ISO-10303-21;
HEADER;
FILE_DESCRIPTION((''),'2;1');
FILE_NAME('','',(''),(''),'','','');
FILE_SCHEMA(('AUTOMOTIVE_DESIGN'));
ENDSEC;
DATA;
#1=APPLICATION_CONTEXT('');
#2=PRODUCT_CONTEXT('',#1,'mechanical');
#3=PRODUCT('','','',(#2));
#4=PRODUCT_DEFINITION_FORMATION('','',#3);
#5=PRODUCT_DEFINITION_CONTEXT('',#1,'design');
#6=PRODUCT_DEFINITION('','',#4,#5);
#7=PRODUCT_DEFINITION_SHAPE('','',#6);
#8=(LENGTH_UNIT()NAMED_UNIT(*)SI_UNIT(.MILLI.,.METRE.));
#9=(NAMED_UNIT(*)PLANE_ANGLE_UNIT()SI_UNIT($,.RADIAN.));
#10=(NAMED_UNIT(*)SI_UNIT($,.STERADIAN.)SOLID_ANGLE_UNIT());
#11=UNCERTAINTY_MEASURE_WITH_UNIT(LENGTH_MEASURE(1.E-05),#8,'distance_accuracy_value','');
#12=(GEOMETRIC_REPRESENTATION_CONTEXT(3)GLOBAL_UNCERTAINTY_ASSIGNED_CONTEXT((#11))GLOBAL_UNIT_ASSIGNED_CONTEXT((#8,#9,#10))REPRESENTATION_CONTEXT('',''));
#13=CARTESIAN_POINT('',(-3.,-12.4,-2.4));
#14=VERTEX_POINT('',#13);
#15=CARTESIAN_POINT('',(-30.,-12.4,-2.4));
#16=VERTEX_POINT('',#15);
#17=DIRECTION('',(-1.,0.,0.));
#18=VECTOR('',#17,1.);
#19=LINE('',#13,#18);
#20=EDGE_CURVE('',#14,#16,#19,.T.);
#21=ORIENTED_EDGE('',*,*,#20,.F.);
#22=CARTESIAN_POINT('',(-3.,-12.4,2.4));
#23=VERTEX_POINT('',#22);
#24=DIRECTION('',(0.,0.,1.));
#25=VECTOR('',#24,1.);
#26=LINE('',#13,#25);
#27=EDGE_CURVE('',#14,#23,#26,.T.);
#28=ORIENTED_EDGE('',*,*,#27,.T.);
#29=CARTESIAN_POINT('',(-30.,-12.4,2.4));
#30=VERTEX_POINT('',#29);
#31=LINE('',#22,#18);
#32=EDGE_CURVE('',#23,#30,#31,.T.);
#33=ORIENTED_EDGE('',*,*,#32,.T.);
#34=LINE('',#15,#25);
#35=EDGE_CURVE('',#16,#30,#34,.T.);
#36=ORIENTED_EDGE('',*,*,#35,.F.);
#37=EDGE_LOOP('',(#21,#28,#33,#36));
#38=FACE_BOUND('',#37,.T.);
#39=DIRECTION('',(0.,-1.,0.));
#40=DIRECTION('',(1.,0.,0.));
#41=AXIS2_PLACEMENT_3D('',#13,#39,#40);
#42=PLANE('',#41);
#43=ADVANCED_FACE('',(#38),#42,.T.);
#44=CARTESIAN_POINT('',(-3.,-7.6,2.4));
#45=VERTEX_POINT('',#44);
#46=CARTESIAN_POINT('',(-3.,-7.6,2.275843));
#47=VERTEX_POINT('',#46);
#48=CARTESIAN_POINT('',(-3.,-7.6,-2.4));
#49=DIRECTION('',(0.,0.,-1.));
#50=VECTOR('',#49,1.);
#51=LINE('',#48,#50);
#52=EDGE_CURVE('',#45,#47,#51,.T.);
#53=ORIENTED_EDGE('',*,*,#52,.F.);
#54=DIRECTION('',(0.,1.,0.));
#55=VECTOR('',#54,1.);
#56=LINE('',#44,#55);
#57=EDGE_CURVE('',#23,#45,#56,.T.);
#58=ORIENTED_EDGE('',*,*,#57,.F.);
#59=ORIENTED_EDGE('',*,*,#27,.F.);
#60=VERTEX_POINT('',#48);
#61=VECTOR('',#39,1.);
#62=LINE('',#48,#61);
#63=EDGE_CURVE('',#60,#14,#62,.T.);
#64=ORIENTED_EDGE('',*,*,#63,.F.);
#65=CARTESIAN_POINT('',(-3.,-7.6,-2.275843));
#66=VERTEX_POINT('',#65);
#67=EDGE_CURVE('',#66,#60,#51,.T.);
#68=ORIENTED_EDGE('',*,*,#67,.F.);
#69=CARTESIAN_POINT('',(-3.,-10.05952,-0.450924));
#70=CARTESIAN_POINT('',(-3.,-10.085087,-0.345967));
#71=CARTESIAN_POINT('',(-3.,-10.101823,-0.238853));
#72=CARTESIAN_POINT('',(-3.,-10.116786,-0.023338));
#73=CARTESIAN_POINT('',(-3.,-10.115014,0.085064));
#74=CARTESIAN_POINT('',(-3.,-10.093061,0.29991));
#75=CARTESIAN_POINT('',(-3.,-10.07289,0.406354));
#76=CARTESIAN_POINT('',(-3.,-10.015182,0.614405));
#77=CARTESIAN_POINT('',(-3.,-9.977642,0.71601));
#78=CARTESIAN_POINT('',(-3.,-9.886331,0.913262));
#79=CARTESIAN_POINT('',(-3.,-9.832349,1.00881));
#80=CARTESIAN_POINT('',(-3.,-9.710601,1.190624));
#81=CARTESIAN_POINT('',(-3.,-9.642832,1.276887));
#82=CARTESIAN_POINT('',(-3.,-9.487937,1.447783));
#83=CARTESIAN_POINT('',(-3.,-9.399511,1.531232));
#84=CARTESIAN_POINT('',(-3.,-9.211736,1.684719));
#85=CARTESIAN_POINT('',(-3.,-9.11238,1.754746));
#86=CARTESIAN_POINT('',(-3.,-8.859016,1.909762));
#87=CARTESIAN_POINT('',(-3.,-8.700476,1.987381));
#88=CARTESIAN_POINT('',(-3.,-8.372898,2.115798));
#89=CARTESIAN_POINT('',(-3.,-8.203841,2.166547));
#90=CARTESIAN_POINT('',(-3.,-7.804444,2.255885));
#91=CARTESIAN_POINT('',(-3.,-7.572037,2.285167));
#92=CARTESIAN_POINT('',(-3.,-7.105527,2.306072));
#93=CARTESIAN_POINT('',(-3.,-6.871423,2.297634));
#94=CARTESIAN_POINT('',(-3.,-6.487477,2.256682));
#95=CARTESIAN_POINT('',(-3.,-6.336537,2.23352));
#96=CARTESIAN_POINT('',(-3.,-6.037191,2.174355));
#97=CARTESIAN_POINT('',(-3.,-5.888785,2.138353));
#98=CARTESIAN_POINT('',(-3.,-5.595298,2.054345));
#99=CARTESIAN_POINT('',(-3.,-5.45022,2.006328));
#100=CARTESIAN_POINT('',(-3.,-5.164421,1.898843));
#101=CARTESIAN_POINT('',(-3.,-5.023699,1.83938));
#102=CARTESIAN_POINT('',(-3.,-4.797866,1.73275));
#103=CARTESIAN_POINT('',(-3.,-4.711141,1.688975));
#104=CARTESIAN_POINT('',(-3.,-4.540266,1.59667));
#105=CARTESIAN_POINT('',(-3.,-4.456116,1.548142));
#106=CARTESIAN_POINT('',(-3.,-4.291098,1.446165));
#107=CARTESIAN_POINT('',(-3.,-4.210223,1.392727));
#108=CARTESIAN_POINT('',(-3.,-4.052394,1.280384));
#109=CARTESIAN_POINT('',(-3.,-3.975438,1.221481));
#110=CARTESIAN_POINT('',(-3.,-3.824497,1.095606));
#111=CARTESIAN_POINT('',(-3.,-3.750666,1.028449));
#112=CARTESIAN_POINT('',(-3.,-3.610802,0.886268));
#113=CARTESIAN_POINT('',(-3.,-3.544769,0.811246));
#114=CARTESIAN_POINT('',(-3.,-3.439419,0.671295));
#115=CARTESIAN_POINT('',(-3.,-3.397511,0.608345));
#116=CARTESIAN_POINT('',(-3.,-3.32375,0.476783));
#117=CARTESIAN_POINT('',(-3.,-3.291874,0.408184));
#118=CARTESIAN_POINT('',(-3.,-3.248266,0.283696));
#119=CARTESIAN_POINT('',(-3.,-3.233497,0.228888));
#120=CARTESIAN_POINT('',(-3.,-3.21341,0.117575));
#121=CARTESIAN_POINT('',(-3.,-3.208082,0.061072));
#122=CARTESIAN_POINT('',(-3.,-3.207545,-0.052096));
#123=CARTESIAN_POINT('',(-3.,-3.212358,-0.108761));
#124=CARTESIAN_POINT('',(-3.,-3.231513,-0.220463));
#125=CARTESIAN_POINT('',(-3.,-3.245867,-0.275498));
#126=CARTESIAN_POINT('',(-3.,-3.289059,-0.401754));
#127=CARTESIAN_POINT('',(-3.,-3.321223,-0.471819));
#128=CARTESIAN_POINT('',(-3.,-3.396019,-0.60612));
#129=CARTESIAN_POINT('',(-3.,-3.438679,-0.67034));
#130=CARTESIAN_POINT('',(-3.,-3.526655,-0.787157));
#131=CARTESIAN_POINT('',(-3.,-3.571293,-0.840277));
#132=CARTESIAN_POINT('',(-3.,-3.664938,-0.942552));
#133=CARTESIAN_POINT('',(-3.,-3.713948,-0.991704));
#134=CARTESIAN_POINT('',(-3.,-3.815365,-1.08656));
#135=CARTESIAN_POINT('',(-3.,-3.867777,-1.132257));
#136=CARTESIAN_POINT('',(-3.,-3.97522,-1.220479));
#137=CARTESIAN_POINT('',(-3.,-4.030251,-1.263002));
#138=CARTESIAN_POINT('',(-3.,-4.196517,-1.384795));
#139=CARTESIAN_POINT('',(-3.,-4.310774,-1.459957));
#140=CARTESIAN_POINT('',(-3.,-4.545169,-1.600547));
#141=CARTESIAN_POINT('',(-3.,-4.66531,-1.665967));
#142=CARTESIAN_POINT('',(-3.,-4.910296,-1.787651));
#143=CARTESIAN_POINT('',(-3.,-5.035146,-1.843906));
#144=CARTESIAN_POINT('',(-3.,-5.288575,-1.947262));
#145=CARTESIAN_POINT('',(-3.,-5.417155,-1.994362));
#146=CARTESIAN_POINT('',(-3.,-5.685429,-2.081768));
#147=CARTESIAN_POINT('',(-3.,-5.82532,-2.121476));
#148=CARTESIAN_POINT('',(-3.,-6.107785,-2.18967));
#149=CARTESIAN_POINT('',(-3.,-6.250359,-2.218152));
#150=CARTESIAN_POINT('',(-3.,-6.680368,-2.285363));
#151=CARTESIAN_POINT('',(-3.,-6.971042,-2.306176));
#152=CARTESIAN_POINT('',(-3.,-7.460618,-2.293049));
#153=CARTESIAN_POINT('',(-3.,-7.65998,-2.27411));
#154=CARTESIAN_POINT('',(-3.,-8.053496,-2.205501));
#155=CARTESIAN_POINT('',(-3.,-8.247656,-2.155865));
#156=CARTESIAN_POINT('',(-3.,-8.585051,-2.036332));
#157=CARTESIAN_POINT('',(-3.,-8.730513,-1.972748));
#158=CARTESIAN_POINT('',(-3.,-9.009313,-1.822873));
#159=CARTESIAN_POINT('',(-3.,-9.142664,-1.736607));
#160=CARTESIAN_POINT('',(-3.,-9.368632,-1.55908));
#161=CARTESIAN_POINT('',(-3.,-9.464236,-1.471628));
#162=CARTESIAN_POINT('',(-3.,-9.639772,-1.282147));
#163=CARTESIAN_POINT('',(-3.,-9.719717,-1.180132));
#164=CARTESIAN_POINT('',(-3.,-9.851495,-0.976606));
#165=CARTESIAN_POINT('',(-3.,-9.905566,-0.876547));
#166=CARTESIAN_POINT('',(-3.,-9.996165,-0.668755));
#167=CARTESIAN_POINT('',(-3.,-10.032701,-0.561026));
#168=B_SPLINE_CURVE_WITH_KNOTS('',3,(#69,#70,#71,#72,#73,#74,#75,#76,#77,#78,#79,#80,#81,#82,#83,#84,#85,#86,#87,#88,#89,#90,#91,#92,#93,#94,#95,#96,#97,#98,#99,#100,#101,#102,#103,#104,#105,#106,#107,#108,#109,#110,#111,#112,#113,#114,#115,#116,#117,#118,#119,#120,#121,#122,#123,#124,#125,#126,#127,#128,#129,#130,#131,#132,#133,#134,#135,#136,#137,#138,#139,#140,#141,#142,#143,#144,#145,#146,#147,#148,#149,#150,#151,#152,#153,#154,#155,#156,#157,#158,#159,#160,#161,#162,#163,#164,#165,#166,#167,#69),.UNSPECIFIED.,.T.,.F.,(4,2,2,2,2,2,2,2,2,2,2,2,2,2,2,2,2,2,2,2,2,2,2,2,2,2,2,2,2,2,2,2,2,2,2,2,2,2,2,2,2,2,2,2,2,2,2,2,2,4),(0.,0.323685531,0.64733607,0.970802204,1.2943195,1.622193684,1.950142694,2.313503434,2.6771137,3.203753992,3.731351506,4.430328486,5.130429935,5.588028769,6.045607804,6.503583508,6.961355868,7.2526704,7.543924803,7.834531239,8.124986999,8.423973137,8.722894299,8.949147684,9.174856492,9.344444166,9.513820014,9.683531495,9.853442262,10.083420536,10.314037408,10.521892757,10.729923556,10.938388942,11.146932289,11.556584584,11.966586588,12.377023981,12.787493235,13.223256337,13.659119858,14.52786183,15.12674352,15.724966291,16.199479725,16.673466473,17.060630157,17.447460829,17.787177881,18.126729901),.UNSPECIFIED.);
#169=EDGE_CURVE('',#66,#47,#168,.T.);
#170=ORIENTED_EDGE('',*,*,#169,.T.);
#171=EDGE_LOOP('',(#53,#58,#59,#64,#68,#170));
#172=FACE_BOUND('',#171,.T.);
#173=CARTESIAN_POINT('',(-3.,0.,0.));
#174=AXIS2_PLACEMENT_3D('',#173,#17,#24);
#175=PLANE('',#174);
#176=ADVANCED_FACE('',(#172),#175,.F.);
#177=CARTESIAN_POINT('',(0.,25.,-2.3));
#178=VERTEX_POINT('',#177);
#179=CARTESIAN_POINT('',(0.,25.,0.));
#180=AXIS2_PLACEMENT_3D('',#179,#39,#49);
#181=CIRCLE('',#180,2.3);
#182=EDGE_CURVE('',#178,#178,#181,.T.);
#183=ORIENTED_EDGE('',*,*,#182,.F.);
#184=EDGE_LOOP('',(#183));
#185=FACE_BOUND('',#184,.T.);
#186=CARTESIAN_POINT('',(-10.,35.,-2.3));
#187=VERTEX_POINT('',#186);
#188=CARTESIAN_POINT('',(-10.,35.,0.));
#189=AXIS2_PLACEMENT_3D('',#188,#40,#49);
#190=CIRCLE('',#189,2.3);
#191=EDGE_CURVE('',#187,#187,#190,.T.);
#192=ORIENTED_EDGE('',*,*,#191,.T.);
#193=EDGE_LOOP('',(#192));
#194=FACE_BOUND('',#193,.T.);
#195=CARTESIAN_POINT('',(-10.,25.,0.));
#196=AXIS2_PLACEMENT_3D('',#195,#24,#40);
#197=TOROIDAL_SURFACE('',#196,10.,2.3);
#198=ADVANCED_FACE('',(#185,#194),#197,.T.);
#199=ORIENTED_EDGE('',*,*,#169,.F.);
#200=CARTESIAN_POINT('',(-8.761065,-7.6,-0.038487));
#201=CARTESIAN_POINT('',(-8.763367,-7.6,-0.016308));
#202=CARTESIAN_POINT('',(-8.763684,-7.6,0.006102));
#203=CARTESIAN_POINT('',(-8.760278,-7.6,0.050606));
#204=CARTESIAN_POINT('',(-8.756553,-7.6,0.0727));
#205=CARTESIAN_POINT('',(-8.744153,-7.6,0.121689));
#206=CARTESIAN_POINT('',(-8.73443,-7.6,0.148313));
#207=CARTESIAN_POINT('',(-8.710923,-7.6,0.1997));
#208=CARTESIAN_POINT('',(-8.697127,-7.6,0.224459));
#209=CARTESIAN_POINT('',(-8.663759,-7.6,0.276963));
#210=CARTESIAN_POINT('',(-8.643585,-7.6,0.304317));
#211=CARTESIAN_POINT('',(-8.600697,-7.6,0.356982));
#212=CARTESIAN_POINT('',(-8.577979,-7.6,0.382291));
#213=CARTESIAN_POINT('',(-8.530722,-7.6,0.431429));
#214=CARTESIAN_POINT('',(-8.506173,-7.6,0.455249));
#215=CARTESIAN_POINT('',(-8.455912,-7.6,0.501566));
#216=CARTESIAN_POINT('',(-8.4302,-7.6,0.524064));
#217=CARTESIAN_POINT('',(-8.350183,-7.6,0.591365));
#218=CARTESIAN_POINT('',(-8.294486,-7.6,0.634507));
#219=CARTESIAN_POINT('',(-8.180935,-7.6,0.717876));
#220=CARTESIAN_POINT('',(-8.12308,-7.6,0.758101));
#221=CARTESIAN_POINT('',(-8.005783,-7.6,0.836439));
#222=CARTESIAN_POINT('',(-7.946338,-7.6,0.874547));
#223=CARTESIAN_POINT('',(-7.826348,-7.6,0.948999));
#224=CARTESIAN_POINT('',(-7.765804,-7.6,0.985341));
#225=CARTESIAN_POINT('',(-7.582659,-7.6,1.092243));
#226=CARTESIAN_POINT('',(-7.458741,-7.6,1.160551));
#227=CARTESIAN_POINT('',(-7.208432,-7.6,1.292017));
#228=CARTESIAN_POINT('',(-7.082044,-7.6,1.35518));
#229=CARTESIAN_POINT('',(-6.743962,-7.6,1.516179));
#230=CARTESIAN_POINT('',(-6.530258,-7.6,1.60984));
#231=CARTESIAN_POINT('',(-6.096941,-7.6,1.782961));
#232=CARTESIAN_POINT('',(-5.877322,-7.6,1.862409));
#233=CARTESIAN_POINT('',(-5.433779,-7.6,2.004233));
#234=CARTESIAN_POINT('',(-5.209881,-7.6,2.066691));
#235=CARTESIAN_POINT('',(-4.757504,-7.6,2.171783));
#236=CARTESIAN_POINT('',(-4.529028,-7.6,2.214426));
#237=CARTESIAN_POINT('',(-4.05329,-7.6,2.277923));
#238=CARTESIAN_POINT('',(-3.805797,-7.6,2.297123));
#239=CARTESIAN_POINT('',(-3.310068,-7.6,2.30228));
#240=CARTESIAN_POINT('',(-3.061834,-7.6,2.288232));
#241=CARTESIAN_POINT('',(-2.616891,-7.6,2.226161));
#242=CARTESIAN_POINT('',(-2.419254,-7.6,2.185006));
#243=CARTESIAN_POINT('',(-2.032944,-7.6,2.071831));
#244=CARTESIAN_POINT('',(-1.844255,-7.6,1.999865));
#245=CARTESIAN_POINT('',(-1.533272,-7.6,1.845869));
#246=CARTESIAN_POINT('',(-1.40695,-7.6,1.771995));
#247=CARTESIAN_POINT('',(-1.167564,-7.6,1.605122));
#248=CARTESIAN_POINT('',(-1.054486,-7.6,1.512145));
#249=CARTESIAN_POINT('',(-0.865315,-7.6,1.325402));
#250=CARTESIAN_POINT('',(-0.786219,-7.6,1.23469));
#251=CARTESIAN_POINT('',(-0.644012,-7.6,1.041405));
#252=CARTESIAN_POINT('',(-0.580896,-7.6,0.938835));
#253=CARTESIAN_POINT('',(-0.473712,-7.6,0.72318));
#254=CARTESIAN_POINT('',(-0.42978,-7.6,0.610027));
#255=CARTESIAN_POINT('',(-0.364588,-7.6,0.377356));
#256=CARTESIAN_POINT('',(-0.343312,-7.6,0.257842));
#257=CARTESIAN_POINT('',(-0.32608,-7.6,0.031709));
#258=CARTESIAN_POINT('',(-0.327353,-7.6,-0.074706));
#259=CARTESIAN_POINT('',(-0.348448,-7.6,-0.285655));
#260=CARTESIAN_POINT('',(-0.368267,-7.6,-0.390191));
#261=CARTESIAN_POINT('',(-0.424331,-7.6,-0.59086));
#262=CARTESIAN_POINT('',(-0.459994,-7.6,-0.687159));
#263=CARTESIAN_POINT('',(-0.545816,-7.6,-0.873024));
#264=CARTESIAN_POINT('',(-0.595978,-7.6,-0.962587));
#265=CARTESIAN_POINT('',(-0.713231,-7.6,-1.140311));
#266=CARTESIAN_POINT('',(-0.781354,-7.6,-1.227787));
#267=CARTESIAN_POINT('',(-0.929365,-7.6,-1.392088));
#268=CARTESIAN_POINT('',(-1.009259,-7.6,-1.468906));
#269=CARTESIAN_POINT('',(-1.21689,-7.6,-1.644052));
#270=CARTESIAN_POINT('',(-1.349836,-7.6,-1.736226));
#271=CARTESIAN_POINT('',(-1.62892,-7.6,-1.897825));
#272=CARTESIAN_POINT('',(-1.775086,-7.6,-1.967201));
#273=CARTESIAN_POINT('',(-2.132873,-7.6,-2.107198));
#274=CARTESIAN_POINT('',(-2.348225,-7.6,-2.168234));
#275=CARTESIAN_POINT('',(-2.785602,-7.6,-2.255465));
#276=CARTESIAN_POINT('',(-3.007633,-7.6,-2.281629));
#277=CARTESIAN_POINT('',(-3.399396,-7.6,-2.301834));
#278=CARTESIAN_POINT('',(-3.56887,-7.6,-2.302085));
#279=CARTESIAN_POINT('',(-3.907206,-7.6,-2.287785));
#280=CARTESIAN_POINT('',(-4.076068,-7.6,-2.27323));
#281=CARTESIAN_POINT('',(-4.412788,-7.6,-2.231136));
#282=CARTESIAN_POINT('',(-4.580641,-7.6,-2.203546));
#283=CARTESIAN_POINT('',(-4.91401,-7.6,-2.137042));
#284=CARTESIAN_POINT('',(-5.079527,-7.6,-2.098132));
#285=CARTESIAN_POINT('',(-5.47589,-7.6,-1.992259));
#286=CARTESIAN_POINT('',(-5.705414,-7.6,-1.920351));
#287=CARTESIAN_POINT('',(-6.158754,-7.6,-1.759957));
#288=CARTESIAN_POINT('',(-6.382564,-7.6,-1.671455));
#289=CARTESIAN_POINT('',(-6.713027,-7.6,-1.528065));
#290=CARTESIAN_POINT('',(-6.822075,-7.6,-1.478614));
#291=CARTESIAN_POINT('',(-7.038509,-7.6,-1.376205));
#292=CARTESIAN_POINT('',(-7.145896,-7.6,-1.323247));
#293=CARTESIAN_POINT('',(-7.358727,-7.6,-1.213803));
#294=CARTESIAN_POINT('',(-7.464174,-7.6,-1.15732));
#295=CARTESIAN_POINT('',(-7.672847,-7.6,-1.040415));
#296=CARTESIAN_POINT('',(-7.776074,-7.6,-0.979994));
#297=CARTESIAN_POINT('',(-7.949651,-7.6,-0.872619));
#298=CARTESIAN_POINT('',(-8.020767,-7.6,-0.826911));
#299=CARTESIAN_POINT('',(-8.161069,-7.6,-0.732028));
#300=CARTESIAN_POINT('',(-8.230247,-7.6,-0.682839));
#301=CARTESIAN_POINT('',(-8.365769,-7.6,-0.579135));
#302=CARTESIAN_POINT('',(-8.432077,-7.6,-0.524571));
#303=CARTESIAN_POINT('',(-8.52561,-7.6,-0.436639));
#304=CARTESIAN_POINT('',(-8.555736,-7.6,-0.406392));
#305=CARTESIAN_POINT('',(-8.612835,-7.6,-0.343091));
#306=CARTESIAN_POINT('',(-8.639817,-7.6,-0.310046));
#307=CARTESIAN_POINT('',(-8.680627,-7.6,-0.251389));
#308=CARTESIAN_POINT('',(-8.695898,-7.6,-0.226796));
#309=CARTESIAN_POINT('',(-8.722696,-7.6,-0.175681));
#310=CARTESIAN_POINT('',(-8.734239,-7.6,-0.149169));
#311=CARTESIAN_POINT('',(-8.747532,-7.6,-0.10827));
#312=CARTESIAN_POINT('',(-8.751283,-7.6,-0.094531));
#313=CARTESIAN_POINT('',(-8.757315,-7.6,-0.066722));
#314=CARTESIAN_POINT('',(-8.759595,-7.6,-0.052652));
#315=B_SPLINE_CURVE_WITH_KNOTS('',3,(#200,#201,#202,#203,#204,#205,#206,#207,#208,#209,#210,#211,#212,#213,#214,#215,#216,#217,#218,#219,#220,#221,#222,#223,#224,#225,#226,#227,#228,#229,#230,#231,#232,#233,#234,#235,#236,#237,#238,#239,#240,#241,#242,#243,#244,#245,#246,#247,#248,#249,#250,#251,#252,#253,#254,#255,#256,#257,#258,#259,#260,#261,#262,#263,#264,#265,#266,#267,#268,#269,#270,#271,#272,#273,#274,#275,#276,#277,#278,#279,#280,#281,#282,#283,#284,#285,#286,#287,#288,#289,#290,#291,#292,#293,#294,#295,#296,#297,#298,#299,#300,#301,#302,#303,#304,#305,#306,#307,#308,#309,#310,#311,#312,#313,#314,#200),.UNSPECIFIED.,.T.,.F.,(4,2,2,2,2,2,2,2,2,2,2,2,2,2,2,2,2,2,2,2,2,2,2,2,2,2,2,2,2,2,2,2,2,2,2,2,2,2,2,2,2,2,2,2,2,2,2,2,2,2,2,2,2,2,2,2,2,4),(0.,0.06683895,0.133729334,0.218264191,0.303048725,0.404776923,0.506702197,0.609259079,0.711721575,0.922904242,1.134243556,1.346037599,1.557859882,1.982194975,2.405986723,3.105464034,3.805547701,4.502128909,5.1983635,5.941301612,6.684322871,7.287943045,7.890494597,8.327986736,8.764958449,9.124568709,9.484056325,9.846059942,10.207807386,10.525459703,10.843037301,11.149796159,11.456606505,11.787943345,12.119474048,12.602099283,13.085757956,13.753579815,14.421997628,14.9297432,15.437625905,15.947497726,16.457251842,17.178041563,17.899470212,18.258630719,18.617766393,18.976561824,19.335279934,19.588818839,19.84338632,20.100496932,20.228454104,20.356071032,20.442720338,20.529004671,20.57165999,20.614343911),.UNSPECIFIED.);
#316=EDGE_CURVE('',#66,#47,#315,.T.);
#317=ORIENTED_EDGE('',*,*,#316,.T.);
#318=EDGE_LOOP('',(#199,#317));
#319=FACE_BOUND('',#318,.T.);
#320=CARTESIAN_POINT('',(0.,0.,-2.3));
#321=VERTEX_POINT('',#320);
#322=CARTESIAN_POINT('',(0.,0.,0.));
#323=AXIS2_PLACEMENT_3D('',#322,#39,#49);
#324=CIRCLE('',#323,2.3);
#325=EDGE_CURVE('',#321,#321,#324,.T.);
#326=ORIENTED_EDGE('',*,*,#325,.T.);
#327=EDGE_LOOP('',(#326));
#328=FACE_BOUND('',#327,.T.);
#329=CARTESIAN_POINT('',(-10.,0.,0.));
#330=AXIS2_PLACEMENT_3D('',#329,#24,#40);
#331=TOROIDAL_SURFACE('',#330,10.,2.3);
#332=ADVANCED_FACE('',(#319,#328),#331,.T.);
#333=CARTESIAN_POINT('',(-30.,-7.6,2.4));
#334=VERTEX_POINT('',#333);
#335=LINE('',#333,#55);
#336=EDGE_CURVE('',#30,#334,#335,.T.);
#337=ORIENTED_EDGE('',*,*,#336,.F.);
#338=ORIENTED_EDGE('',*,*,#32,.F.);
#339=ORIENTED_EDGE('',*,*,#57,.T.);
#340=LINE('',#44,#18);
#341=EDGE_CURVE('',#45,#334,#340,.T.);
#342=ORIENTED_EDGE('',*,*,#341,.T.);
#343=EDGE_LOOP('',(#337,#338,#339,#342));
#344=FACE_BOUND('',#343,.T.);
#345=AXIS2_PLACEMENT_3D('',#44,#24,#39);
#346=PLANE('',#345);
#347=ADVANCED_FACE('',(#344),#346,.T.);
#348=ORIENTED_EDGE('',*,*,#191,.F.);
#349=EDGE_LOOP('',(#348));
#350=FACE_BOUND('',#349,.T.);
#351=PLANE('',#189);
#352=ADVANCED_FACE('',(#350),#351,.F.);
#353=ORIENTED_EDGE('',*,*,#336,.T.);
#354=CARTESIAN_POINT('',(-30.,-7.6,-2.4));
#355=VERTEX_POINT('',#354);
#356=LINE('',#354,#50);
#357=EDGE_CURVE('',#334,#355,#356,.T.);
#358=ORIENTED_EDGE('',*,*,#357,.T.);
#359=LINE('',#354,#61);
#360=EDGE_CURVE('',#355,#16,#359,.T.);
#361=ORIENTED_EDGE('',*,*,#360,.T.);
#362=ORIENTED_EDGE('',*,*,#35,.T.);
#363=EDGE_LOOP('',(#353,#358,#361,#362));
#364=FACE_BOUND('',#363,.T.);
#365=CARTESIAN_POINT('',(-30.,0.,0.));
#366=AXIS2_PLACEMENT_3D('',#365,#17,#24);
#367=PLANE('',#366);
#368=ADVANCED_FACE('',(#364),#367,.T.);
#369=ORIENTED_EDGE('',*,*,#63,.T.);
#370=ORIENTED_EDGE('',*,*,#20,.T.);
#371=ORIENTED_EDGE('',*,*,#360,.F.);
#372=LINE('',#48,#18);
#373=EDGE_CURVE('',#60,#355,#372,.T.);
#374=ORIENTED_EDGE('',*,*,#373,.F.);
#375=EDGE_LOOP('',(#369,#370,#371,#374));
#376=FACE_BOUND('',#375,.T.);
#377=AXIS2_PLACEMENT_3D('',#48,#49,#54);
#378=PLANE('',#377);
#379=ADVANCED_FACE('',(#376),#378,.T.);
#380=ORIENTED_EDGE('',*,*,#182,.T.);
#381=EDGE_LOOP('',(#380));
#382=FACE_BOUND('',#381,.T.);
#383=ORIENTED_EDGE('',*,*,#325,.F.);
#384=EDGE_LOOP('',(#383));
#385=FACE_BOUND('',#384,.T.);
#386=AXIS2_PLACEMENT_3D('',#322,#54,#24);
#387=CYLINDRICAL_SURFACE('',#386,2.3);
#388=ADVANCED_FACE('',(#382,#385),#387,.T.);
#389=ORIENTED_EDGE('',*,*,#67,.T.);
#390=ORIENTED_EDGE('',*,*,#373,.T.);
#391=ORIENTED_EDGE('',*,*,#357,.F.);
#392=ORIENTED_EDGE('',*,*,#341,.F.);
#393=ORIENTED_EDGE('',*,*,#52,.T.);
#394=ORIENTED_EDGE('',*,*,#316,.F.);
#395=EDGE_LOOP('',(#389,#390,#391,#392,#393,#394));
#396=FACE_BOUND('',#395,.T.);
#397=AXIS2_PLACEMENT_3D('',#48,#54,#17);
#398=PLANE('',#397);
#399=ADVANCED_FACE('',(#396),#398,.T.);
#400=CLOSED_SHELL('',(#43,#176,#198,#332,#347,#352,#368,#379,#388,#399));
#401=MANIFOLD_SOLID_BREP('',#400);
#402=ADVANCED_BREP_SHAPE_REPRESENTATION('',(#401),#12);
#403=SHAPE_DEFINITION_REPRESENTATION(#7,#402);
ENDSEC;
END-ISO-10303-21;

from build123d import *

# Parameters (mm, degrees)
VARREDURA1_PROFILE_R          = 2.3
ESBO_O18_W                    = 4.8
ESBO_O18_H                    = 4.8
RESSALTO_EXTRUS_O1_DEPTH      = 20
RESSALTO_EXTRUS_O1_DEPTH_BACK = 7


with BuildPart() as part:
    # Varredura1: sweep along a path in Esboço1
    with BuildLine(Plane.XY) as varredura1_path:
        ThreePointArc((-10, -10), (-2.928932188, -7.071067812), (0, 0))
        Line((0, 0), (0, 25))
        ThreePointArc((0, 25), (-2.928932188, 32.071067812), (-10, 35))
    # Varredura1 profile (on start of the path) → Varredura1 (sweep)
    with BuildSketch(Plane(origin=(-10, -10, 0), x_dir=(0, 1, 0), z_dir=(1, 0, 0))):
        Circle(VARREDURA1_PROFILE_R)
    sweep(path=varredura1_path.line)

    # Esboço18 → Ressalto-extrusão1 (add, two sides)
    with BuildSketch(Plane.ZY.offset(10)) as ressalto_extrus_o1_sk:
        with Locations((0, -10)):
            Rectangle(ESBO_O18_W, ESBO_O18_H)
    extrude(amount=RESSALTO_EXTRUS_O1_DEPTH)
    extrude(ressalto_extrus_o1_sk.sketch, amount=-RESSALTO_EXTRUS_O1_DEPTH_BACK)


solid = part.part
